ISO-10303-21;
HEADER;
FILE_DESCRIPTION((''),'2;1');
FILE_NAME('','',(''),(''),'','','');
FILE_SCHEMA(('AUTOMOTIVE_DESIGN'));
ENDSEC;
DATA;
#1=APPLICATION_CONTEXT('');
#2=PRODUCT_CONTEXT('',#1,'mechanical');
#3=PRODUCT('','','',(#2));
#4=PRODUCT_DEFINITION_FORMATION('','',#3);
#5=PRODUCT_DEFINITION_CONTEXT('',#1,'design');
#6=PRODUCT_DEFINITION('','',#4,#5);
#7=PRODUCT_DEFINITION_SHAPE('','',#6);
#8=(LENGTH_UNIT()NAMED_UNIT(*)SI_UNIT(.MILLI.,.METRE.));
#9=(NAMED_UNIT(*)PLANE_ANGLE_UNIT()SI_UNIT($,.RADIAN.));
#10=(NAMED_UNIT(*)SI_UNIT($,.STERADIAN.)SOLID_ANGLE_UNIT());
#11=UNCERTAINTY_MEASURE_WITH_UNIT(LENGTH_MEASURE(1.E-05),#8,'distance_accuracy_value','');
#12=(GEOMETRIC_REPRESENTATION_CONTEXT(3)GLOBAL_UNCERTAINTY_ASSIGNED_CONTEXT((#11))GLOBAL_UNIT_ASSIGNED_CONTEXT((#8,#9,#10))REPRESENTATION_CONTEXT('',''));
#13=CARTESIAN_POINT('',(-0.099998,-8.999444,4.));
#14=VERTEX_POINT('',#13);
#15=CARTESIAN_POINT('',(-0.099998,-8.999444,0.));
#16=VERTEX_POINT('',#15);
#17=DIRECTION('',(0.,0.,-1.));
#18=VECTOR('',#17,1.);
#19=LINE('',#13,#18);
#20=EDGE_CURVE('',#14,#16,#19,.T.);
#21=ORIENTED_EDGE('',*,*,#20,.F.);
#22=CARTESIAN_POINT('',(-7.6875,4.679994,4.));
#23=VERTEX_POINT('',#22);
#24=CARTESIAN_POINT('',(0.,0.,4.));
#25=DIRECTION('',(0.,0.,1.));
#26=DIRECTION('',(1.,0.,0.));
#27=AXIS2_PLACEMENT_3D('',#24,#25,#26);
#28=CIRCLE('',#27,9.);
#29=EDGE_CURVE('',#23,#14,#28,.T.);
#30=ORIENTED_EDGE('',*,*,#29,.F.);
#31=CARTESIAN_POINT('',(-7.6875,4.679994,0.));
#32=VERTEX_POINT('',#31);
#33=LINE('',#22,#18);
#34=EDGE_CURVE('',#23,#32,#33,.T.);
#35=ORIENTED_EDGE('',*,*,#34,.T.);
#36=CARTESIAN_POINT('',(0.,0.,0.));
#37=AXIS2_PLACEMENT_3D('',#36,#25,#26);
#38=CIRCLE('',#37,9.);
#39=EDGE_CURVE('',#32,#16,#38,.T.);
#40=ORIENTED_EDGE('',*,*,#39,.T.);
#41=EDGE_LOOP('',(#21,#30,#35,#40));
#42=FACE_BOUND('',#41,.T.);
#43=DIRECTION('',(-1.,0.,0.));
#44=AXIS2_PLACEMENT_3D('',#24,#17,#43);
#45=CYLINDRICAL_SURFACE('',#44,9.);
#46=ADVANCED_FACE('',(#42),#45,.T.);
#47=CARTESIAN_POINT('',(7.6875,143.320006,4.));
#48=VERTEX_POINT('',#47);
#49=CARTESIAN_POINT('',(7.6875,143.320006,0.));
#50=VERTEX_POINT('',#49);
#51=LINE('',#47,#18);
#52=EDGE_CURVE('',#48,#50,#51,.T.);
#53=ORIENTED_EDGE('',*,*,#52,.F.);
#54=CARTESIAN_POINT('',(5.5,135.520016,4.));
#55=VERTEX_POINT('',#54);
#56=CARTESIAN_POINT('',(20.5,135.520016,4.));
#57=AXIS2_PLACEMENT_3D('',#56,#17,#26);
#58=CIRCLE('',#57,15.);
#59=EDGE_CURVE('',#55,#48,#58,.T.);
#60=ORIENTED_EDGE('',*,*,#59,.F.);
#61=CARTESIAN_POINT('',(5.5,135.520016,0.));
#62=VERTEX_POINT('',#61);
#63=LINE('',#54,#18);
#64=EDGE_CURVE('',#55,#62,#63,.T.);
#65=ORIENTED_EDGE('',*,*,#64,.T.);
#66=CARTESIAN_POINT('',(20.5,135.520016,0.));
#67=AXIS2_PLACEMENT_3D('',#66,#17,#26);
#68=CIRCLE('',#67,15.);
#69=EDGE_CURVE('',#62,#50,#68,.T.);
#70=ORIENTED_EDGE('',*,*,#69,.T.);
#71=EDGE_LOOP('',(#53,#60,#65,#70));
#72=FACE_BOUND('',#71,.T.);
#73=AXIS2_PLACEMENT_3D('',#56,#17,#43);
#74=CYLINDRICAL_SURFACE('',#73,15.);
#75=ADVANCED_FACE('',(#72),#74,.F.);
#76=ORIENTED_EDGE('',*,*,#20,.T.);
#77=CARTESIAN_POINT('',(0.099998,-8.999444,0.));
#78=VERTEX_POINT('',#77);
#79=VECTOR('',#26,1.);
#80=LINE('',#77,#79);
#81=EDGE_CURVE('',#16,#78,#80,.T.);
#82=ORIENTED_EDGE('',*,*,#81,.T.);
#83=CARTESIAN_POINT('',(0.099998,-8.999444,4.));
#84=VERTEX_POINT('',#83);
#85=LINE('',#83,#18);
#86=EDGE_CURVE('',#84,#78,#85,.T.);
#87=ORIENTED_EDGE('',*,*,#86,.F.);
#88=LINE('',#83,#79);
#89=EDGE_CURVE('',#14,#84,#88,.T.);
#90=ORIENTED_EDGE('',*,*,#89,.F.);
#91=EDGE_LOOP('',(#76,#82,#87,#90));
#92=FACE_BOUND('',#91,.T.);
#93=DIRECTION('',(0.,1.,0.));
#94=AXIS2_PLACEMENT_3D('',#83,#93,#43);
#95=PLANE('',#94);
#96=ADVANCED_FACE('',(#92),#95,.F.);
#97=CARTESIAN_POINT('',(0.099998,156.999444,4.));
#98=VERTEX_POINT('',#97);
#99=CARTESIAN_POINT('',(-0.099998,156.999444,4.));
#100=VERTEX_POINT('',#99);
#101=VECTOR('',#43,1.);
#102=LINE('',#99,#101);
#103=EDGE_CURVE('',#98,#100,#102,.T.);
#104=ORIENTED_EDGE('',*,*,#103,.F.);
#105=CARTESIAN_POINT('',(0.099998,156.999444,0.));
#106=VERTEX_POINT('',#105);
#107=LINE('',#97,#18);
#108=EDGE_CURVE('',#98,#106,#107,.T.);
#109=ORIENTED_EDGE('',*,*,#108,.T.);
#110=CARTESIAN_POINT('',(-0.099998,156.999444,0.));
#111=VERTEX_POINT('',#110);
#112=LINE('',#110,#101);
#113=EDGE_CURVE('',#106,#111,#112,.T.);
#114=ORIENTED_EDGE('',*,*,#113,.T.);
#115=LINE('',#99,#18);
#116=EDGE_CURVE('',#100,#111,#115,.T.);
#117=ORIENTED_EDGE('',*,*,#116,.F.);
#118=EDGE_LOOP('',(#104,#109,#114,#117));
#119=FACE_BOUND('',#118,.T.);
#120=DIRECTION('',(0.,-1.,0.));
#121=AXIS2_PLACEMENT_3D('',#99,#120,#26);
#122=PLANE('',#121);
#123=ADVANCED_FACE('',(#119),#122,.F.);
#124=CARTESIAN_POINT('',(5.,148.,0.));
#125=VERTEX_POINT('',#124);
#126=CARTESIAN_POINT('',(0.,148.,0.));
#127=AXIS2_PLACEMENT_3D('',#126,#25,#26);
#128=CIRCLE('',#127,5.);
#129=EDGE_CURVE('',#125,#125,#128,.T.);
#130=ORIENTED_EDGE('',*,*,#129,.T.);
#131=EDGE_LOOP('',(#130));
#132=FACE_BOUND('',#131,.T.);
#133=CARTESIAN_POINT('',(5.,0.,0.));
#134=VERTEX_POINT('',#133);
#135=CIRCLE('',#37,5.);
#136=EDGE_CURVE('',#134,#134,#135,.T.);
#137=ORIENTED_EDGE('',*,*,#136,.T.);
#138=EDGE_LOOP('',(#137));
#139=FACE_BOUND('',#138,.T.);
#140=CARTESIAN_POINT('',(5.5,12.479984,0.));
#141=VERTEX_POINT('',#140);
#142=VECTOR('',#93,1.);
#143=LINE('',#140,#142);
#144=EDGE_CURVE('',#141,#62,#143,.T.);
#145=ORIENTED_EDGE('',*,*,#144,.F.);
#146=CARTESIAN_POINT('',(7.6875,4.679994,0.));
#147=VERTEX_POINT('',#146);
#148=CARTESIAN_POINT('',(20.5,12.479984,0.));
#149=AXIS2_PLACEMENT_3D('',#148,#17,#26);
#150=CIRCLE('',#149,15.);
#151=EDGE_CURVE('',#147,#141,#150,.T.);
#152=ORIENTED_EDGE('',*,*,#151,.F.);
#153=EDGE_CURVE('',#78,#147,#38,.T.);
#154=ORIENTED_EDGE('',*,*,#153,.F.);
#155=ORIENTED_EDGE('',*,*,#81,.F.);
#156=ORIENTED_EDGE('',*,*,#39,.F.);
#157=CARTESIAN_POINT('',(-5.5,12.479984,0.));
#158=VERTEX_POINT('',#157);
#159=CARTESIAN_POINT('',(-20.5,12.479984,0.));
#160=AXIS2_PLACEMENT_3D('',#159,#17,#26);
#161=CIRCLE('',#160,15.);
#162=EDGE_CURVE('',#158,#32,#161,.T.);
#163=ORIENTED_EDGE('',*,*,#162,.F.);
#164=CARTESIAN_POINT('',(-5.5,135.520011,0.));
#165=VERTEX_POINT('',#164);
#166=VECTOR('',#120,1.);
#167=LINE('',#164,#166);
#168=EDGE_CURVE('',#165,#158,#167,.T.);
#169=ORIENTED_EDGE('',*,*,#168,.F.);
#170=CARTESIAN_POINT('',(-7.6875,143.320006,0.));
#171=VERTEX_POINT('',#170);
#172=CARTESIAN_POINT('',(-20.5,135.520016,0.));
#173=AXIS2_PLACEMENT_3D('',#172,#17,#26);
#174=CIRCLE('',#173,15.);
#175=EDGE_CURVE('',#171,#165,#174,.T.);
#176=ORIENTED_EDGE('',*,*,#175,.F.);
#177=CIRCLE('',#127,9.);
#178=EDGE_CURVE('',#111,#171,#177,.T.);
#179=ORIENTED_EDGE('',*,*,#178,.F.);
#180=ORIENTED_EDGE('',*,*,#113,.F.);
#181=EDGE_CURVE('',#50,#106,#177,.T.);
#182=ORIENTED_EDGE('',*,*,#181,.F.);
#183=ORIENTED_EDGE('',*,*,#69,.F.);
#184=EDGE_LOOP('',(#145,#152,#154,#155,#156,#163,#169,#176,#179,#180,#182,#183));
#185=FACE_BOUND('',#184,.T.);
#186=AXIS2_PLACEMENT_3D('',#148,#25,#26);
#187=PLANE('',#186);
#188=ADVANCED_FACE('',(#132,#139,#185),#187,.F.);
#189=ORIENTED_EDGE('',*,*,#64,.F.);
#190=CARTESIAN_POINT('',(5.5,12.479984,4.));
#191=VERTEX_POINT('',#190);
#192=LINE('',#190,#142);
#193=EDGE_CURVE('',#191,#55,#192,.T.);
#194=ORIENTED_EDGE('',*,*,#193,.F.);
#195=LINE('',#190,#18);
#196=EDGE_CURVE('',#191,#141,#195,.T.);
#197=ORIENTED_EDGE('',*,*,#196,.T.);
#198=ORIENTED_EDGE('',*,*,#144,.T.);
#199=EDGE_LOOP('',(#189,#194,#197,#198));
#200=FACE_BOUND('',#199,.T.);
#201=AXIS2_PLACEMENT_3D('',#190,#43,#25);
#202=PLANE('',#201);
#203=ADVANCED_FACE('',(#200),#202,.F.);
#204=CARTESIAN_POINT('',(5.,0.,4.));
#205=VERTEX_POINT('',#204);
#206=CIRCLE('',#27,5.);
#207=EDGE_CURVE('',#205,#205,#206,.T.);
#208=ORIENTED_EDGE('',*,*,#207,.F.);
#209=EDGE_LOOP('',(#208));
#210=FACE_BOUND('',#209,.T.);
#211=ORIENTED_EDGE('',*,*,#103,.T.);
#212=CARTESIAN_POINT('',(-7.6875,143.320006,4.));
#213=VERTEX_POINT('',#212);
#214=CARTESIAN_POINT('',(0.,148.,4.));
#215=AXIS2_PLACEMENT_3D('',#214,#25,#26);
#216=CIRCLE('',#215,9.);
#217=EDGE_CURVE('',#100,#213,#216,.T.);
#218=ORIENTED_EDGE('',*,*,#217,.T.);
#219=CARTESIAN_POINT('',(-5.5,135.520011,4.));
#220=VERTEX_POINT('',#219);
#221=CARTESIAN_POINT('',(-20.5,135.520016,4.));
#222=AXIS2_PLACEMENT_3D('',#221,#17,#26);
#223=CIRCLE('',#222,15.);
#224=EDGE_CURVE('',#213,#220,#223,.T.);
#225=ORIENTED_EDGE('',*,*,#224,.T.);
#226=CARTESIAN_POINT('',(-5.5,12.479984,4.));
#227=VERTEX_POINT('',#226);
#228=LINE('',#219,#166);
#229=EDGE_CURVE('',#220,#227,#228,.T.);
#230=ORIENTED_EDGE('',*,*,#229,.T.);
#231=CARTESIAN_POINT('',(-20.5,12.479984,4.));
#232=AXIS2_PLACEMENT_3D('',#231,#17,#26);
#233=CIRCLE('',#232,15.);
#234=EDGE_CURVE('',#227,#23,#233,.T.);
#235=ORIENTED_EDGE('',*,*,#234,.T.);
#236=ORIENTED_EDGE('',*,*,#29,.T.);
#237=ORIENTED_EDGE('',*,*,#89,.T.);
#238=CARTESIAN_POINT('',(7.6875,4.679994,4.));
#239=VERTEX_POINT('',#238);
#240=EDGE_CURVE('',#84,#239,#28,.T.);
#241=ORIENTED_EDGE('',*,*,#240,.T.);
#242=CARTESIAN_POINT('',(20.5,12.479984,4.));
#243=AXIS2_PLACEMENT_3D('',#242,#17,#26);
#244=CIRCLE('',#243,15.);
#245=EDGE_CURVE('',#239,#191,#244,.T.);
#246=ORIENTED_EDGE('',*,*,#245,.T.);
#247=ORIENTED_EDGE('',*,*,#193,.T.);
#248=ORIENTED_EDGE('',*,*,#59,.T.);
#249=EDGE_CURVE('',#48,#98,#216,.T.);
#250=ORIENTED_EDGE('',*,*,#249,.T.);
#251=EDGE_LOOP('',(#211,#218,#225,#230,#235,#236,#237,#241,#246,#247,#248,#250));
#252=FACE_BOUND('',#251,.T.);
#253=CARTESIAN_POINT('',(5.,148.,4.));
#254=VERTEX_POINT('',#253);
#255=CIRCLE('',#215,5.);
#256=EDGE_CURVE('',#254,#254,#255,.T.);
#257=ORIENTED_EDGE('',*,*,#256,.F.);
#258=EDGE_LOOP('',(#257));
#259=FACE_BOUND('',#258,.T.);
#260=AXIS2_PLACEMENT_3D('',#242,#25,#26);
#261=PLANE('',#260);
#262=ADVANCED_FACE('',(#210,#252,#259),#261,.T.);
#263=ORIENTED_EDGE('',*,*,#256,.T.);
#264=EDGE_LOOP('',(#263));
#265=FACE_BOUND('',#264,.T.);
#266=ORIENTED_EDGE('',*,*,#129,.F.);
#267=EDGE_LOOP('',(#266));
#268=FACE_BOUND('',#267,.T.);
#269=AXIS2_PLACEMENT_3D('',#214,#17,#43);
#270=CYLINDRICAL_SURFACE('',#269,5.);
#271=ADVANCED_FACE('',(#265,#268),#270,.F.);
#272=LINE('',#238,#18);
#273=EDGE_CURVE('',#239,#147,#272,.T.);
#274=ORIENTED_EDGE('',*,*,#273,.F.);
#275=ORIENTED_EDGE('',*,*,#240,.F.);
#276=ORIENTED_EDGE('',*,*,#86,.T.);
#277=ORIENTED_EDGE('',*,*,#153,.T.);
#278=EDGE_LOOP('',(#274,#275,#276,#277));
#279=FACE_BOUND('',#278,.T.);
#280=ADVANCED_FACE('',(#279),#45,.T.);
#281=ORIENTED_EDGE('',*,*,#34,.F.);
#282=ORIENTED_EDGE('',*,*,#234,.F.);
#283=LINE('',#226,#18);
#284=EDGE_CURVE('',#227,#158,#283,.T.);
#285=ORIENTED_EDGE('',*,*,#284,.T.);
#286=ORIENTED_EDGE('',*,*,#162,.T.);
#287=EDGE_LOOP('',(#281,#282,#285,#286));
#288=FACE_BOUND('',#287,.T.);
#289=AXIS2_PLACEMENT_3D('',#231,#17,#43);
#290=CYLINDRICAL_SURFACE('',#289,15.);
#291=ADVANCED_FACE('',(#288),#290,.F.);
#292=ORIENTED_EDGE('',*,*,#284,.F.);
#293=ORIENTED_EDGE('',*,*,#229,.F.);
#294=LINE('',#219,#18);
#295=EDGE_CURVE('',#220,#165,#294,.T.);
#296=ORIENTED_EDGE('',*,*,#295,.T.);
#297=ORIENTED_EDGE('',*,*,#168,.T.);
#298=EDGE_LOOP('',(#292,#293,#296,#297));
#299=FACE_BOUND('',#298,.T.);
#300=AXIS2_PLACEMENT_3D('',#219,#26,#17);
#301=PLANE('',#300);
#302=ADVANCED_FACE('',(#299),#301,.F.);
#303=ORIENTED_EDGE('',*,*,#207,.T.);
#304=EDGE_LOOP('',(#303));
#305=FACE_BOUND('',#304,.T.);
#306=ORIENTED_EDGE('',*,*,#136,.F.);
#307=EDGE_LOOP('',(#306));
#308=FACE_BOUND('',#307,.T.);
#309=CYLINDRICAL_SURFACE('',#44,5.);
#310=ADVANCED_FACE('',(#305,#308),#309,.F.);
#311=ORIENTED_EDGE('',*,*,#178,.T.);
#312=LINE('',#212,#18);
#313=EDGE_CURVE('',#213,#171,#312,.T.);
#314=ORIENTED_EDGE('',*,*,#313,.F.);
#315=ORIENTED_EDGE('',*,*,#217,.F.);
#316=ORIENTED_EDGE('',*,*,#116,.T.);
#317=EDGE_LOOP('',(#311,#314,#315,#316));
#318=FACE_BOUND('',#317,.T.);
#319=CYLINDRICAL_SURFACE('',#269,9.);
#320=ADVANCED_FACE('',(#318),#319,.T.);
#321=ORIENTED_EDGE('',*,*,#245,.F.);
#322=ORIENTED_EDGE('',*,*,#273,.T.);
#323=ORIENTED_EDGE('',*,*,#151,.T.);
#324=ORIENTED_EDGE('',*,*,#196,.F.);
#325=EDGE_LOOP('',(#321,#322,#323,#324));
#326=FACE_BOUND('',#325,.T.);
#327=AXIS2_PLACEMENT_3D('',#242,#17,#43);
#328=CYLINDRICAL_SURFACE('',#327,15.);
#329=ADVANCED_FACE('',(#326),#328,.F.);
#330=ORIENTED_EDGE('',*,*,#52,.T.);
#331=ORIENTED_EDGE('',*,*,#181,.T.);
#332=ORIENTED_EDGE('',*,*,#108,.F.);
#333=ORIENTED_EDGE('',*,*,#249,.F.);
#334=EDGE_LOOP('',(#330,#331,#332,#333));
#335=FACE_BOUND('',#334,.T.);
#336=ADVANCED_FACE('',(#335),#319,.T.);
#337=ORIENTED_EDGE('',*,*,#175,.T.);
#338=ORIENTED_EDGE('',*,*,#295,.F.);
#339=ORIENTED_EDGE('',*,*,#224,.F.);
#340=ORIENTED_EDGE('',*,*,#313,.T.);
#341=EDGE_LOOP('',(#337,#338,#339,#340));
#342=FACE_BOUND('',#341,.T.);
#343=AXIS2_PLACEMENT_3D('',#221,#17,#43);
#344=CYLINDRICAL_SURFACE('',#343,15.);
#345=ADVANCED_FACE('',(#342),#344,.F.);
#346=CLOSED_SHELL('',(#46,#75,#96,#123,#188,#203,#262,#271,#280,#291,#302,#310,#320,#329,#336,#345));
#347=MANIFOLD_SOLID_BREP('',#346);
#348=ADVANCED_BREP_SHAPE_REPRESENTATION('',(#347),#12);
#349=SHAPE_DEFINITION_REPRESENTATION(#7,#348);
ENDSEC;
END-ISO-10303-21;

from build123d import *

# Parameters (mm, degrees)
SKETCH_1_R      = 5
EXTRUDE_1_DEPTH = 4


with BuildPart() as part:
    # 草图1 → 凸台-拉伸1 (new body)
    with BuildSketch(Plane.XY):
        with BuildLine():
            Line((-5.5, 135.520010959), (-5.5, 12.479983974))
            ThreePointArc((-5.5, 12.479983974), (-6.05722499, 8.429521038), (-7.6875, 4.67999399))
            ThreePointArc((-7.6875, 4.67999399), (-7.870390208, -4.365427582), (-0.099998457, -8.999444444))
            Line((-0.099998457, -8.999444444), (0.099998457, -8.999444444))
            ThreePointArc((0.099998457, -8.999444444), (7.870390208, -4.365427582), (7.6875, 4.67999399))
            ThreePointArc((7.6875, 4.67999399), (6.05722499, 8.429521038), (5.5, 12.479983974))
            Line((5.5, 12.479983974), (5.5, 135.520016026))
            ThreePointArc((5.5, 135.520016026), (6.05722499, 139.570478962), (7.6875, 143.32000601))
            ThreePointArc((7.6875, 143.32000601), (7.870390208, 152.365427582), (0.099998457, 156.999444444))
            Line((0.099998457, 156.999444444), (-0.099998457, 156.999444444))
            ThreePointArc((-0.099998457, 156.999444444), (-7.870390208, 152.365427582), (-7.6875, 143.32000601))
            ThreePointArc((-7.6875, 143.32000601), (-6.057224306, 139.570476523), (-5.5, 135.520010959))
        make_face()
        Circle(SKETCH_1_R, mode=Mode.SUBTRACT)
        with Locations((0, 148)):
            Circle(SKETCH_1_R, mode=Mode.SUBTRACT)
    extrude(amount=EXTRUDE_1_DEPTH)


solid = part.part
